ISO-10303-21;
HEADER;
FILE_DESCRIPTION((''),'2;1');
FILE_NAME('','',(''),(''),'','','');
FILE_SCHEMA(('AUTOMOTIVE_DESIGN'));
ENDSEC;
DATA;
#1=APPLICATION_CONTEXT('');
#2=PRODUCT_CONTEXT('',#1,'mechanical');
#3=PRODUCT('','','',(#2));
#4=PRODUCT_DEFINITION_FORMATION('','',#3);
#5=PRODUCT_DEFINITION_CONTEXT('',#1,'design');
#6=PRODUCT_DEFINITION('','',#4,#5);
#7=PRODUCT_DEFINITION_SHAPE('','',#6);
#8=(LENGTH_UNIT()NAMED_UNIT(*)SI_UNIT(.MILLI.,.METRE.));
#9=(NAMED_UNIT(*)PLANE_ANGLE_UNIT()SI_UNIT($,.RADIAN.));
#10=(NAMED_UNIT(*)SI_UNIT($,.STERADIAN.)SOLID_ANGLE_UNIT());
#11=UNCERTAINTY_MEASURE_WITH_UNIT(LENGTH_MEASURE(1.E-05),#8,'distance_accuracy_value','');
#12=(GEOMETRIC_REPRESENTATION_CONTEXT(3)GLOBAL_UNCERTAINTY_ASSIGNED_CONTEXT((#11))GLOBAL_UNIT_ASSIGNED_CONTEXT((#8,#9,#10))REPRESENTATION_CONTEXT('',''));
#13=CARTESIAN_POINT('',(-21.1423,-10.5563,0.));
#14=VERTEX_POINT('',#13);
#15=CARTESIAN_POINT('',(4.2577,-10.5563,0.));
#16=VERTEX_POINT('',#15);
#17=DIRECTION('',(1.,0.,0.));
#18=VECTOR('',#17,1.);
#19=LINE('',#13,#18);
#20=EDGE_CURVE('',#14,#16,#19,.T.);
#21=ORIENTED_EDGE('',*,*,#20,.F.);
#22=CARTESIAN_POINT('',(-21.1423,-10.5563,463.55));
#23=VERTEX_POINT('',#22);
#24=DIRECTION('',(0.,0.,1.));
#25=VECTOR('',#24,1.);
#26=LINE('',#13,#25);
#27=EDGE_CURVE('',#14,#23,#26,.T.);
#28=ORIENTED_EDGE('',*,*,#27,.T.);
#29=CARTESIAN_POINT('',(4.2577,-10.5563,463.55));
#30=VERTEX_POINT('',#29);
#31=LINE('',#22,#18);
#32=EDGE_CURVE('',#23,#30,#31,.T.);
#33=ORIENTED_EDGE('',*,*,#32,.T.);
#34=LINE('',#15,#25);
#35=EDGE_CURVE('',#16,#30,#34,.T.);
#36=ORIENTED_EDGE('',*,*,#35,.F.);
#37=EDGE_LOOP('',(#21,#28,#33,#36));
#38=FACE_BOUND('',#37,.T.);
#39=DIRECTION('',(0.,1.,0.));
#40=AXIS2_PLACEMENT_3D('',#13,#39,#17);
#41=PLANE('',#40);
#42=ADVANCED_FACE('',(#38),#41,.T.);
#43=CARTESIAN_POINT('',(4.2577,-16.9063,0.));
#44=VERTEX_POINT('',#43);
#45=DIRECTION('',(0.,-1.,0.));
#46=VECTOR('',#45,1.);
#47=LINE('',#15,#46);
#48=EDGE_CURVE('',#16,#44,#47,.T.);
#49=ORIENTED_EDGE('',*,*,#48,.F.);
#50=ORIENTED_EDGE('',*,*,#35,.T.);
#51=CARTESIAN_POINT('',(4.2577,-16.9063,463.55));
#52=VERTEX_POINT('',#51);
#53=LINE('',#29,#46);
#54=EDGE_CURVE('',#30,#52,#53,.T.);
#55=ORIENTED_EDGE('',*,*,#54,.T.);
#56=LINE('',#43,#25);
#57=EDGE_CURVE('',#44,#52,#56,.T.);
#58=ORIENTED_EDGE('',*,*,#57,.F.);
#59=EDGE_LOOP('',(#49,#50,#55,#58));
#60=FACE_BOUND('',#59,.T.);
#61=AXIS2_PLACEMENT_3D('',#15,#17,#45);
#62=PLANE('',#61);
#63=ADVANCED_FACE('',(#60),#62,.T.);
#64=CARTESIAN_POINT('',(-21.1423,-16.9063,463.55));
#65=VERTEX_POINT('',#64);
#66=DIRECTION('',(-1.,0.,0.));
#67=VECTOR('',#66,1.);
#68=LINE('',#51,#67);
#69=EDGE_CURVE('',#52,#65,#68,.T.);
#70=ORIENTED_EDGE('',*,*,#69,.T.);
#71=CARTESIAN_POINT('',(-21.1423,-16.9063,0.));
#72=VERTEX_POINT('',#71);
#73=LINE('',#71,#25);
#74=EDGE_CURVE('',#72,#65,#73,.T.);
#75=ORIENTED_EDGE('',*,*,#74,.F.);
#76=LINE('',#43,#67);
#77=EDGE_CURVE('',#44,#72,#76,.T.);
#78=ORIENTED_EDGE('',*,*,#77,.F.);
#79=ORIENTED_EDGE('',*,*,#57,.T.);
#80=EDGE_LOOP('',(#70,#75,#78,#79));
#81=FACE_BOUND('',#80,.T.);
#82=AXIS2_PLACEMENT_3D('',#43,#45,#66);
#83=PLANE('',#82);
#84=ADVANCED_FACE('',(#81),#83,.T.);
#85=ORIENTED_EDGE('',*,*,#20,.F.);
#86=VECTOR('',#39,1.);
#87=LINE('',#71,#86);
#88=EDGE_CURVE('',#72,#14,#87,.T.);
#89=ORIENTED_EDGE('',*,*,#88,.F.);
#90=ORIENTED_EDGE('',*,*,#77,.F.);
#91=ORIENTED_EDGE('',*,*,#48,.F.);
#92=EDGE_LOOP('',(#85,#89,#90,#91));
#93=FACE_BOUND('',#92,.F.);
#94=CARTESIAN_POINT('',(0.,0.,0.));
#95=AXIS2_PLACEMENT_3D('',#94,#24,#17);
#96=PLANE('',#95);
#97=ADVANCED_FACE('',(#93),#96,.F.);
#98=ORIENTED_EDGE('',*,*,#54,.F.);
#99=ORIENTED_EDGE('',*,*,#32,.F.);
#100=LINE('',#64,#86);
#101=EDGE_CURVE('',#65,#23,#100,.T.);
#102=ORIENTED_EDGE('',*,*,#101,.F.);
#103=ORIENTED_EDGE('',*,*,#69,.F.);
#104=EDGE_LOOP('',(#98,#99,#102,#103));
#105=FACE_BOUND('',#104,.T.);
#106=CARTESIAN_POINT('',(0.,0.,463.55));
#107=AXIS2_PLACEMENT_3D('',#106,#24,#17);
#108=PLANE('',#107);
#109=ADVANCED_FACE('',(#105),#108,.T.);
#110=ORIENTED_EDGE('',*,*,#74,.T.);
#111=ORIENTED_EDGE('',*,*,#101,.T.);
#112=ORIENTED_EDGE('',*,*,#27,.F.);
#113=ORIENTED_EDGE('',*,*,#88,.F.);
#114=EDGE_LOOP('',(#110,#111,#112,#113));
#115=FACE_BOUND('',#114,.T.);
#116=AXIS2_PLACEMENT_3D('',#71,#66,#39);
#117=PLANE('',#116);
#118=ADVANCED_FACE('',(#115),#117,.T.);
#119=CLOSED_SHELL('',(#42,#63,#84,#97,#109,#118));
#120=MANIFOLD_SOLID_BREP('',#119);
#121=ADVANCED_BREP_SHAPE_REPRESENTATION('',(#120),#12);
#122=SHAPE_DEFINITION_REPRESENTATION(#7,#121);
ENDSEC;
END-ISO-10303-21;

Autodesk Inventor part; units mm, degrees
ref_plane "YZ Plane" through (0, 0, 0) normal (1, 0, 0) x (0, 1, 0)
ref_plane "XZ Plane" through (0, 0, 0) normal (0, 1, 0) x (-1, 0, 0)
ref_plane "XY Plane" through (0, 0, 0) normal (0, 0, 1) x (1, 0, 0)
sketch "Sketch1" plane through (0, 0, 0) normal (0, 0, 1) x (1, 0, 0)
  line L0 (-21.1423, -10.5563) -> (4.2577, -10.5563)
  line L1 (4.2577, -10.5563) -> (4.2577, -16.9063)
  line L2 (4.2577, -16.9063) -> (-21.1423, -16.9063)
  line L3 (-21.1423, -16.9063) -> (-21.1423, -10.5563)
  point P0 (0, 0)
  dimension "d0" = 25.4
  dimension "d1" = 6.35
extrude "Board" add sketch "Sketch1" along normal blind 463.55
properties part number "Wine Glass Holder Narrow"
